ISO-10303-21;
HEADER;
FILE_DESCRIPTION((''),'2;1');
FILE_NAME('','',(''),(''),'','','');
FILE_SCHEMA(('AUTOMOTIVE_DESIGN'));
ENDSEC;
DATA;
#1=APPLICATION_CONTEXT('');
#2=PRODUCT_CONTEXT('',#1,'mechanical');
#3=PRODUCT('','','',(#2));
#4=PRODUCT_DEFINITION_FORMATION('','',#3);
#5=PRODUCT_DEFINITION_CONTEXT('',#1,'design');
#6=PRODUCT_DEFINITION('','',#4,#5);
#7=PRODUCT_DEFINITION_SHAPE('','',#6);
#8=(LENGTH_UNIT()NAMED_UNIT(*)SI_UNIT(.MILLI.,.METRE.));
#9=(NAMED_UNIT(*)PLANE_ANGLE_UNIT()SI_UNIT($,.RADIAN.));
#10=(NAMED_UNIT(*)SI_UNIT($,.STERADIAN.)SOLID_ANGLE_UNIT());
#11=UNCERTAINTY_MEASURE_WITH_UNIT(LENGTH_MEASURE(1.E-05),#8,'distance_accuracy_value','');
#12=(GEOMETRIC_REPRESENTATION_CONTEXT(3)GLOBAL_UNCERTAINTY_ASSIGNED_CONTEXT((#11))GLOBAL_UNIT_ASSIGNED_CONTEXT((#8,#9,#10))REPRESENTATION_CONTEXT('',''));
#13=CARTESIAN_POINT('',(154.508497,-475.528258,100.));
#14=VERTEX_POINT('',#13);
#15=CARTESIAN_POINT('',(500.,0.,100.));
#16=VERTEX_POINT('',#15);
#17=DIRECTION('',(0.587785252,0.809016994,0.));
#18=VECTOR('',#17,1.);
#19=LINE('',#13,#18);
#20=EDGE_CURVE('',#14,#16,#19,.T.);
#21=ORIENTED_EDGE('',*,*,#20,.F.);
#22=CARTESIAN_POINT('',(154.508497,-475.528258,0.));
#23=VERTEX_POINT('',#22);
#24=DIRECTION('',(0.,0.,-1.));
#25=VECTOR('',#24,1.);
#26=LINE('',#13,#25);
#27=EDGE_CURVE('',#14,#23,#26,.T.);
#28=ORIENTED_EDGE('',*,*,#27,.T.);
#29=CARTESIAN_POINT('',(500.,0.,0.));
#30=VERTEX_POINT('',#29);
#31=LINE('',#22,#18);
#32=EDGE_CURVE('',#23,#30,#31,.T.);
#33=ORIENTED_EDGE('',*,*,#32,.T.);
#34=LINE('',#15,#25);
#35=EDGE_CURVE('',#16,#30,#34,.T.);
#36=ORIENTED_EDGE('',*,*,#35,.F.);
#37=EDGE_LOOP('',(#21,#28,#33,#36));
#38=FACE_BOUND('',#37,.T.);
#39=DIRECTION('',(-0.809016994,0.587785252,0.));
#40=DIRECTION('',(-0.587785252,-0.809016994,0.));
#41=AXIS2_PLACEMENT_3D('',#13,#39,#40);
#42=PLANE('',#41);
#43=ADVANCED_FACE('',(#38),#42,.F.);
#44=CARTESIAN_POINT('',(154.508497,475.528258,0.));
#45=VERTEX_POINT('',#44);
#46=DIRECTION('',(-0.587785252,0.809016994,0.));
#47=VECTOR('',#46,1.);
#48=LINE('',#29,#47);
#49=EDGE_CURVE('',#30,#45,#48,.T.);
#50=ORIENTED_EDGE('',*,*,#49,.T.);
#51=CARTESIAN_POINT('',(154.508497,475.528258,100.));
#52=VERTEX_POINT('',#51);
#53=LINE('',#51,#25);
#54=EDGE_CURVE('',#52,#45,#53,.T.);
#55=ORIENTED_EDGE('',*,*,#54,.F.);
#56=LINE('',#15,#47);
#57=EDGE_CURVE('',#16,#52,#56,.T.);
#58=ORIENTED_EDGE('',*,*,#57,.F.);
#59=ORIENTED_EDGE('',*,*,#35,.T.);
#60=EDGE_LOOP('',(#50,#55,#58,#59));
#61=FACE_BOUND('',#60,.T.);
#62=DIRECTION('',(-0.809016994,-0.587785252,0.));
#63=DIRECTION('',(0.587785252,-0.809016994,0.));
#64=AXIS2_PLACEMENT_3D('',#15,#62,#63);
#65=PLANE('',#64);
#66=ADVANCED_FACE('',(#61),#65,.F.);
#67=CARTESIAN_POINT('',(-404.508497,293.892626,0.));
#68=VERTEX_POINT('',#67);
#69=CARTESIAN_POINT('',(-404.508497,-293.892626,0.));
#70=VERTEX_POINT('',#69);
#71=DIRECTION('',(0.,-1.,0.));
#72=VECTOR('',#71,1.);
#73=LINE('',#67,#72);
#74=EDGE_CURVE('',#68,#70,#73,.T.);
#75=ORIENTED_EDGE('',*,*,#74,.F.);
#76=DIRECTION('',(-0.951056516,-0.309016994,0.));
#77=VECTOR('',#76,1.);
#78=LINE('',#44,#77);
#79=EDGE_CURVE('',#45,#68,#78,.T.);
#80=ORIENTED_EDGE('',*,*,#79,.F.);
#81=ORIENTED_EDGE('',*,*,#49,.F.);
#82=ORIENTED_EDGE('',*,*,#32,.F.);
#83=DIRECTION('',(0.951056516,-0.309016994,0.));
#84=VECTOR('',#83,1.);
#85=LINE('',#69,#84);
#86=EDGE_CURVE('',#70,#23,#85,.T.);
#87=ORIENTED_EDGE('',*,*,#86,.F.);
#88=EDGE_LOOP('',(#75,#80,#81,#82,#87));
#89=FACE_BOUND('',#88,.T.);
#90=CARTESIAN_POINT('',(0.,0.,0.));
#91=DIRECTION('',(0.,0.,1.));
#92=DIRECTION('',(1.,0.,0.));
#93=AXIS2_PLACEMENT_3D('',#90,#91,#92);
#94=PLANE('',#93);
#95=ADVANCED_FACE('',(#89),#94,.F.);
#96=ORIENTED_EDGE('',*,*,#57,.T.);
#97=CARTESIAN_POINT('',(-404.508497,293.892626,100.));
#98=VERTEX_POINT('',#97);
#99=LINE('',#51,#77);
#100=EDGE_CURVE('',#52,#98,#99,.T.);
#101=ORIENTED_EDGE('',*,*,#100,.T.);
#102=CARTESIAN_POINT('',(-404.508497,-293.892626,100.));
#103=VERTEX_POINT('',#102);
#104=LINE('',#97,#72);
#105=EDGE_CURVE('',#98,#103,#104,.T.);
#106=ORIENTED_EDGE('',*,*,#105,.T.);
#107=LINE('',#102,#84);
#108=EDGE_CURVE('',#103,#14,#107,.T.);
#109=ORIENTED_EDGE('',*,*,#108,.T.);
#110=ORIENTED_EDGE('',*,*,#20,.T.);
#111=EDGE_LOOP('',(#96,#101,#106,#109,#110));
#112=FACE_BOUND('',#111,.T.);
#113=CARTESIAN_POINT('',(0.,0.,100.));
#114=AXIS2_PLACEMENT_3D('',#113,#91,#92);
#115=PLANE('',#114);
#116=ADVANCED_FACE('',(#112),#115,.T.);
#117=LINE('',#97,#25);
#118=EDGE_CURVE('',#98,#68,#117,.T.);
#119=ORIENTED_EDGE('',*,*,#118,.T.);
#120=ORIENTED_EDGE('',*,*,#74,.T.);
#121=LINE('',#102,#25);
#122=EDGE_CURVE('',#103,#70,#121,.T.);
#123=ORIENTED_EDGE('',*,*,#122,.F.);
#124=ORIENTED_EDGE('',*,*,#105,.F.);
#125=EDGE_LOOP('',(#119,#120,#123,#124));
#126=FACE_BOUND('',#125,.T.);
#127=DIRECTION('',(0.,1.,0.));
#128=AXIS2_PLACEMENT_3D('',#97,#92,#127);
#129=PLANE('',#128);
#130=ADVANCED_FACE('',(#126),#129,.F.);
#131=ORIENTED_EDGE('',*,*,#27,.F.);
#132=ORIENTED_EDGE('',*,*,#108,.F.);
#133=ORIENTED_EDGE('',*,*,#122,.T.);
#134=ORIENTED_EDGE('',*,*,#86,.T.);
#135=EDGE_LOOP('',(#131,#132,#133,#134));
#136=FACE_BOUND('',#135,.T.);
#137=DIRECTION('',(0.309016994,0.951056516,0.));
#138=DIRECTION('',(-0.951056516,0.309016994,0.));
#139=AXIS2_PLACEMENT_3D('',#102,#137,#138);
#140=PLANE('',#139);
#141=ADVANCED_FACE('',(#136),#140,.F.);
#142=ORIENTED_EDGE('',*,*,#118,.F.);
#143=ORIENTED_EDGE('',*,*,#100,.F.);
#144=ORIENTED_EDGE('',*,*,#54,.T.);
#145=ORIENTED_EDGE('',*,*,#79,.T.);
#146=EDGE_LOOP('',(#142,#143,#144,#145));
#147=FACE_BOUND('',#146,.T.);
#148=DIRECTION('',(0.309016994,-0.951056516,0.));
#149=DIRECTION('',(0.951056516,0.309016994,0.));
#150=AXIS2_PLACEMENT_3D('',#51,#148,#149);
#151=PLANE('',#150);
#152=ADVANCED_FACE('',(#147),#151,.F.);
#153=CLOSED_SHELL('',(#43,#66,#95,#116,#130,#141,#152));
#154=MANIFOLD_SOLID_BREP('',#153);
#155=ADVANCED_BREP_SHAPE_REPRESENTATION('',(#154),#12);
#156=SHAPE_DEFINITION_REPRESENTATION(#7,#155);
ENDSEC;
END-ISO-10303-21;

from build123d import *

# Parameters (mm, degrees)
EXTRUDE_1_DEPTH = 100


with BuildPart() as part:
    # 草图1 → 凸台-拉伸1 (new body)
    with BuildSketch(Plane.XY):
        Polygon((500, 0), (154.508497187, 475.528258148), (-404.508497187, 293.892626146), (-404.508497187, -293.892626146), (154.508497187, -475.528258148), align=None)
    extrude(amount=EXTRUDE_1_DEPTH)


solid = part.part
